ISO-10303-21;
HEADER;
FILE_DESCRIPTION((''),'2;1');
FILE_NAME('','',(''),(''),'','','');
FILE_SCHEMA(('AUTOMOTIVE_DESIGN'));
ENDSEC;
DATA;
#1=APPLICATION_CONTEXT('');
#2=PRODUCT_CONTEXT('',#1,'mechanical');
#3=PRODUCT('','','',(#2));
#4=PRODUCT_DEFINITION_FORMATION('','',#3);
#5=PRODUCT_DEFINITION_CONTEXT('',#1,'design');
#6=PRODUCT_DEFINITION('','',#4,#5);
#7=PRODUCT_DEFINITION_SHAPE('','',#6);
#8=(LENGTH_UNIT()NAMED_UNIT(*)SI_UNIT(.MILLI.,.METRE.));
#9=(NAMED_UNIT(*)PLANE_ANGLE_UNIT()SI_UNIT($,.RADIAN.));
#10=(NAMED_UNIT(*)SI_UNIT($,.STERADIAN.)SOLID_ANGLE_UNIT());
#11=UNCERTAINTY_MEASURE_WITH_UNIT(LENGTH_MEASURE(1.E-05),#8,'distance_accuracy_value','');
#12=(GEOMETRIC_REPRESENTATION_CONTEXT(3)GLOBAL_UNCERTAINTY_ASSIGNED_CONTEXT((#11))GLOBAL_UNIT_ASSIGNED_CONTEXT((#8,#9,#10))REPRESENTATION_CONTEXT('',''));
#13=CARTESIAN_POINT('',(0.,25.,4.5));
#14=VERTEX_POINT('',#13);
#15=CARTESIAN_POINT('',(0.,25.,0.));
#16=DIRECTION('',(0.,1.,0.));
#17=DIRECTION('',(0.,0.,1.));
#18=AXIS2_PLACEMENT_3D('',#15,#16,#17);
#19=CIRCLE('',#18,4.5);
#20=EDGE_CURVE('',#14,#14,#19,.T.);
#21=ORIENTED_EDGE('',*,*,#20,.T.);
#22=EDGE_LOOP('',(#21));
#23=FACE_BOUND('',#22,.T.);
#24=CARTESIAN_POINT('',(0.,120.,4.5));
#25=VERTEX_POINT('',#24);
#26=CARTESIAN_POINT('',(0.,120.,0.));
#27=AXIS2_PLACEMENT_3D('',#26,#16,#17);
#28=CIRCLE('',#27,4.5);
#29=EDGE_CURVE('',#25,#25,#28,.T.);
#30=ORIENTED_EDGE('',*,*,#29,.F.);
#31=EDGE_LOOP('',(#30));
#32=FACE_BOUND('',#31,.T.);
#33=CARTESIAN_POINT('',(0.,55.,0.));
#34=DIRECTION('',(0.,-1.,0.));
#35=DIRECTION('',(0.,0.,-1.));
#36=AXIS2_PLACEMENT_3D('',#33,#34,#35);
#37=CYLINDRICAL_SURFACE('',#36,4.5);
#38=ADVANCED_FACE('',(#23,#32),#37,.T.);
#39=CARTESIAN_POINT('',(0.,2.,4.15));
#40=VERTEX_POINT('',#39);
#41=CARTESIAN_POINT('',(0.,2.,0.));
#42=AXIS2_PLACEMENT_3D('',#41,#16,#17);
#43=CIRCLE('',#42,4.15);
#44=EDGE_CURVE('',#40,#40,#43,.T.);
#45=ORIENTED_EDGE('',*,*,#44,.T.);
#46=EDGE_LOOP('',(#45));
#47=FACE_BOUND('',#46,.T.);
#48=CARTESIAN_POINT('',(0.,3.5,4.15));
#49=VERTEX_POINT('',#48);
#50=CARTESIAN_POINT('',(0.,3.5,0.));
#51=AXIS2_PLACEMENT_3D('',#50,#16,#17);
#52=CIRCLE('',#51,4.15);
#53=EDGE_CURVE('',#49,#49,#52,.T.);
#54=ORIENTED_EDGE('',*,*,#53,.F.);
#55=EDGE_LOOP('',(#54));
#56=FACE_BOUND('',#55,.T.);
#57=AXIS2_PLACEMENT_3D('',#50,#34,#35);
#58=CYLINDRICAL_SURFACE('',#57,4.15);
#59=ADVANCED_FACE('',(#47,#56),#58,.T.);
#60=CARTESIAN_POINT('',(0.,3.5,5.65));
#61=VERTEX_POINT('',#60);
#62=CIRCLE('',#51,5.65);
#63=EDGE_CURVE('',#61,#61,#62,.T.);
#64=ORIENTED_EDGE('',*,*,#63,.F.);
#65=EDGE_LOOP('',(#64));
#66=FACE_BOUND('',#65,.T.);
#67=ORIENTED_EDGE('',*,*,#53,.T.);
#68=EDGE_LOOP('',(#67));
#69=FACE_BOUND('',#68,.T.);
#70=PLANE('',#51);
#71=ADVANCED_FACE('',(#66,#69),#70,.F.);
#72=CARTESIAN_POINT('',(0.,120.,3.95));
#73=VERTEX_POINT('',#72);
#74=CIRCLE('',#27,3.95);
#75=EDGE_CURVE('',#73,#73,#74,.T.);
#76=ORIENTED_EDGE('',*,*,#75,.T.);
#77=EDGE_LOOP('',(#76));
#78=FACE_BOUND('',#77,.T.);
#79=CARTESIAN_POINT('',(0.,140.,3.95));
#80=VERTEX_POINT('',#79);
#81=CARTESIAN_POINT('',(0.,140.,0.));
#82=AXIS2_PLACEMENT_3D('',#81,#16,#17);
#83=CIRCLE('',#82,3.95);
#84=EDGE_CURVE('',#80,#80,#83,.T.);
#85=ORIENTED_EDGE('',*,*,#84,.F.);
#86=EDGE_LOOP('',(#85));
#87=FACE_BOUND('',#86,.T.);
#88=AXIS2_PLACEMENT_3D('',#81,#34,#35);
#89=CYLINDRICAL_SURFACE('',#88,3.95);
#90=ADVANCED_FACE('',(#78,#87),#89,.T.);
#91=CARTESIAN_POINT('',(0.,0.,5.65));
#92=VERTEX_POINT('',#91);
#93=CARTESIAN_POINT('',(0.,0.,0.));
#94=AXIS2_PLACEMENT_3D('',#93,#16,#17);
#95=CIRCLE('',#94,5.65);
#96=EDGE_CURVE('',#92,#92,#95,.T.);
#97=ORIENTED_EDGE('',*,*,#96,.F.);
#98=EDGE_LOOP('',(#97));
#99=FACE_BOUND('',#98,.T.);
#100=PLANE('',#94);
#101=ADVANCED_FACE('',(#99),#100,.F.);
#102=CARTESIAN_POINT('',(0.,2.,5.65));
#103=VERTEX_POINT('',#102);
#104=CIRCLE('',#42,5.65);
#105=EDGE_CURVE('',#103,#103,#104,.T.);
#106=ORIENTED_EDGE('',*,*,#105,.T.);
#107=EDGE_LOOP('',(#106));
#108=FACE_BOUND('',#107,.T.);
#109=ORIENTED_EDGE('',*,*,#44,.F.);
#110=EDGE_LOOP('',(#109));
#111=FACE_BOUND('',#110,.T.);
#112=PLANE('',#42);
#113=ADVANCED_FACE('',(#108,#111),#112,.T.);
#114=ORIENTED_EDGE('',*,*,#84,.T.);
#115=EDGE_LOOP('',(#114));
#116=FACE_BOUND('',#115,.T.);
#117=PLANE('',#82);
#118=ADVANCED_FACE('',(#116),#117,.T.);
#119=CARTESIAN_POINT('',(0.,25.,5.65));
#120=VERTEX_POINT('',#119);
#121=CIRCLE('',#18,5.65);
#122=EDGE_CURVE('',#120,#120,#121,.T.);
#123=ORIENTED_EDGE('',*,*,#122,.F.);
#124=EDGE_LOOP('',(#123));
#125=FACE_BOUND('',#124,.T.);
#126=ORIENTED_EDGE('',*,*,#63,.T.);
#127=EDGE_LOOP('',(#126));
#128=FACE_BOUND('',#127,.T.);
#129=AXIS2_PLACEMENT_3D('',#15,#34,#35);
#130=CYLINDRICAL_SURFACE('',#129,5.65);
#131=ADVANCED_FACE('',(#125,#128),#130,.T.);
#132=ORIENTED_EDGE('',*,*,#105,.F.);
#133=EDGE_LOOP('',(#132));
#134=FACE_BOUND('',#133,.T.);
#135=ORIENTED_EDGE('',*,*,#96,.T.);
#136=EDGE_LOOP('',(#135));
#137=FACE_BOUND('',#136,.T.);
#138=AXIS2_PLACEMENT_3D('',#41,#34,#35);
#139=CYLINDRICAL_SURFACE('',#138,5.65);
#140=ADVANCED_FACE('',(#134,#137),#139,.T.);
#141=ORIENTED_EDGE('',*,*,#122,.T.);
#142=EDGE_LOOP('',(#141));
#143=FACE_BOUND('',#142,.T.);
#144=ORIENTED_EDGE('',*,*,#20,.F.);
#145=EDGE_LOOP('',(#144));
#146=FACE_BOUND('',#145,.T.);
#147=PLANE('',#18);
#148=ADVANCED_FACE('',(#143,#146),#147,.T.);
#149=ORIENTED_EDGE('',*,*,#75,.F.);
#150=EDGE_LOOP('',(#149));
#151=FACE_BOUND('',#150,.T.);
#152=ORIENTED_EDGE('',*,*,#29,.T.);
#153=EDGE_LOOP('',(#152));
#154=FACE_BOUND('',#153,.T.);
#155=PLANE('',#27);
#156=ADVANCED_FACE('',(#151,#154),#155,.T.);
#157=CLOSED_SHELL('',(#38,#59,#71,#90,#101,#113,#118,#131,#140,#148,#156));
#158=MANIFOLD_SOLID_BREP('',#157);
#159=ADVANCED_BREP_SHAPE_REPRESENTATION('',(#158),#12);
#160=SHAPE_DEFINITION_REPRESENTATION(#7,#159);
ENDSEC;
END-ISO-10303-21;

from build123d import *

# Parameters (mm, degrees)
SKETCH1_R           = 5.65
BOSS_EXTRUDE1_DEPTH = 2
SKETCH2_R           = 4.15
BOSS_EXTRUDE2_DEPTH = 1.5
SKETCH3_R           = 5.65
BOSS_EXTRUDE3_DEPTH = 21.5
SKETCH4_R           = 4.5
BOSS_EXTRUDE4_DEPTH = 30
SKETCH5_R           = 4.5
BOSS_EXTRUDE5_DEPTH = 65
SKETCH6_R           = 3.95
BOSS_EXTRUDE6_DEPTH = 20


with BuildPart() as part:
    # Sketch1 → Boss-Extrude1 (new body)
    with BuildSketch(Plane(origin=(0, 0, 0), x_dir=(1, 0, 0), z_dir=(0, 1, 0))):
        with Locations(Location((0, 0, 0), (0, 0, 270))):
            Circle(SKETCH1_R)
    extrude(amount=BOSS_EXTRUDE1_DEPTH)

    # Sketch2 → Boss-Extrude2 (add)
    with BuildSketch(Plane(origin=(0, 2, 0), x_dir=(1, 0, 0), z_dir=(0, 1, 0))):
        with Locations(Location((0, 0, 0), (0, 0, 270))):
            Circle(SKETCH2_R)
    extrude(amount=BOSS_EXTRUDE2_DEPTH)

    # Sketch3 → Boss-Extrude3 (add)
    with BuildSketch(Plane(origin=(0, 3.5, 0), x_dir=(1, 0, 0), z_dir=(0, 1, 0))):
        with Locations(Location((0, 0, 0), (0, 0, 270))):
            Circle(SKETCH3_R)
    extrude(amount=BOSS_EXTRUDE3_DEPTH)

    # Sketch4 → Boss-Extrude4 (add)
    with BuildSketch(Plane(origin=(0, 25, 0), x_dir=(1, 0, 0), z_dir=(0, 1, 0))):
        with Locations(Location((0, 0, 0), (0, 0, 270))):
            Circle(SKETCH4_R)
    extrude(amount=BOSS_EXTRUDE4_DEPTH)

    # Sketch5 → Boss-Extrude5 (add)
    with BuildSketch(Plane(origin=(0, 55, 0), x_dir=(1, 0, 0), z_dir=(0, 1, 0))):
        with Locations(Location((0, 0, 0), (0, 0, 270))):
            Circle(SKETCH5_R)
    extrude(amount=BOSS_EXTRUDE5_DEPTH)

    # Sketch6 → Boss-Extrude6 (add)
    with BuildSketch(Plane(origin=(0, 120, 0), x_dir=(1, 0, 0), z_dir=(0, 1, 0))):
        with Locations(Location((0, 0, 0), (0, 0, 270))):
            Circle(SKETCH6_R)
    extrude(amount=BOSS_EXTRUDE6_DEPTH)


solid = part.part
